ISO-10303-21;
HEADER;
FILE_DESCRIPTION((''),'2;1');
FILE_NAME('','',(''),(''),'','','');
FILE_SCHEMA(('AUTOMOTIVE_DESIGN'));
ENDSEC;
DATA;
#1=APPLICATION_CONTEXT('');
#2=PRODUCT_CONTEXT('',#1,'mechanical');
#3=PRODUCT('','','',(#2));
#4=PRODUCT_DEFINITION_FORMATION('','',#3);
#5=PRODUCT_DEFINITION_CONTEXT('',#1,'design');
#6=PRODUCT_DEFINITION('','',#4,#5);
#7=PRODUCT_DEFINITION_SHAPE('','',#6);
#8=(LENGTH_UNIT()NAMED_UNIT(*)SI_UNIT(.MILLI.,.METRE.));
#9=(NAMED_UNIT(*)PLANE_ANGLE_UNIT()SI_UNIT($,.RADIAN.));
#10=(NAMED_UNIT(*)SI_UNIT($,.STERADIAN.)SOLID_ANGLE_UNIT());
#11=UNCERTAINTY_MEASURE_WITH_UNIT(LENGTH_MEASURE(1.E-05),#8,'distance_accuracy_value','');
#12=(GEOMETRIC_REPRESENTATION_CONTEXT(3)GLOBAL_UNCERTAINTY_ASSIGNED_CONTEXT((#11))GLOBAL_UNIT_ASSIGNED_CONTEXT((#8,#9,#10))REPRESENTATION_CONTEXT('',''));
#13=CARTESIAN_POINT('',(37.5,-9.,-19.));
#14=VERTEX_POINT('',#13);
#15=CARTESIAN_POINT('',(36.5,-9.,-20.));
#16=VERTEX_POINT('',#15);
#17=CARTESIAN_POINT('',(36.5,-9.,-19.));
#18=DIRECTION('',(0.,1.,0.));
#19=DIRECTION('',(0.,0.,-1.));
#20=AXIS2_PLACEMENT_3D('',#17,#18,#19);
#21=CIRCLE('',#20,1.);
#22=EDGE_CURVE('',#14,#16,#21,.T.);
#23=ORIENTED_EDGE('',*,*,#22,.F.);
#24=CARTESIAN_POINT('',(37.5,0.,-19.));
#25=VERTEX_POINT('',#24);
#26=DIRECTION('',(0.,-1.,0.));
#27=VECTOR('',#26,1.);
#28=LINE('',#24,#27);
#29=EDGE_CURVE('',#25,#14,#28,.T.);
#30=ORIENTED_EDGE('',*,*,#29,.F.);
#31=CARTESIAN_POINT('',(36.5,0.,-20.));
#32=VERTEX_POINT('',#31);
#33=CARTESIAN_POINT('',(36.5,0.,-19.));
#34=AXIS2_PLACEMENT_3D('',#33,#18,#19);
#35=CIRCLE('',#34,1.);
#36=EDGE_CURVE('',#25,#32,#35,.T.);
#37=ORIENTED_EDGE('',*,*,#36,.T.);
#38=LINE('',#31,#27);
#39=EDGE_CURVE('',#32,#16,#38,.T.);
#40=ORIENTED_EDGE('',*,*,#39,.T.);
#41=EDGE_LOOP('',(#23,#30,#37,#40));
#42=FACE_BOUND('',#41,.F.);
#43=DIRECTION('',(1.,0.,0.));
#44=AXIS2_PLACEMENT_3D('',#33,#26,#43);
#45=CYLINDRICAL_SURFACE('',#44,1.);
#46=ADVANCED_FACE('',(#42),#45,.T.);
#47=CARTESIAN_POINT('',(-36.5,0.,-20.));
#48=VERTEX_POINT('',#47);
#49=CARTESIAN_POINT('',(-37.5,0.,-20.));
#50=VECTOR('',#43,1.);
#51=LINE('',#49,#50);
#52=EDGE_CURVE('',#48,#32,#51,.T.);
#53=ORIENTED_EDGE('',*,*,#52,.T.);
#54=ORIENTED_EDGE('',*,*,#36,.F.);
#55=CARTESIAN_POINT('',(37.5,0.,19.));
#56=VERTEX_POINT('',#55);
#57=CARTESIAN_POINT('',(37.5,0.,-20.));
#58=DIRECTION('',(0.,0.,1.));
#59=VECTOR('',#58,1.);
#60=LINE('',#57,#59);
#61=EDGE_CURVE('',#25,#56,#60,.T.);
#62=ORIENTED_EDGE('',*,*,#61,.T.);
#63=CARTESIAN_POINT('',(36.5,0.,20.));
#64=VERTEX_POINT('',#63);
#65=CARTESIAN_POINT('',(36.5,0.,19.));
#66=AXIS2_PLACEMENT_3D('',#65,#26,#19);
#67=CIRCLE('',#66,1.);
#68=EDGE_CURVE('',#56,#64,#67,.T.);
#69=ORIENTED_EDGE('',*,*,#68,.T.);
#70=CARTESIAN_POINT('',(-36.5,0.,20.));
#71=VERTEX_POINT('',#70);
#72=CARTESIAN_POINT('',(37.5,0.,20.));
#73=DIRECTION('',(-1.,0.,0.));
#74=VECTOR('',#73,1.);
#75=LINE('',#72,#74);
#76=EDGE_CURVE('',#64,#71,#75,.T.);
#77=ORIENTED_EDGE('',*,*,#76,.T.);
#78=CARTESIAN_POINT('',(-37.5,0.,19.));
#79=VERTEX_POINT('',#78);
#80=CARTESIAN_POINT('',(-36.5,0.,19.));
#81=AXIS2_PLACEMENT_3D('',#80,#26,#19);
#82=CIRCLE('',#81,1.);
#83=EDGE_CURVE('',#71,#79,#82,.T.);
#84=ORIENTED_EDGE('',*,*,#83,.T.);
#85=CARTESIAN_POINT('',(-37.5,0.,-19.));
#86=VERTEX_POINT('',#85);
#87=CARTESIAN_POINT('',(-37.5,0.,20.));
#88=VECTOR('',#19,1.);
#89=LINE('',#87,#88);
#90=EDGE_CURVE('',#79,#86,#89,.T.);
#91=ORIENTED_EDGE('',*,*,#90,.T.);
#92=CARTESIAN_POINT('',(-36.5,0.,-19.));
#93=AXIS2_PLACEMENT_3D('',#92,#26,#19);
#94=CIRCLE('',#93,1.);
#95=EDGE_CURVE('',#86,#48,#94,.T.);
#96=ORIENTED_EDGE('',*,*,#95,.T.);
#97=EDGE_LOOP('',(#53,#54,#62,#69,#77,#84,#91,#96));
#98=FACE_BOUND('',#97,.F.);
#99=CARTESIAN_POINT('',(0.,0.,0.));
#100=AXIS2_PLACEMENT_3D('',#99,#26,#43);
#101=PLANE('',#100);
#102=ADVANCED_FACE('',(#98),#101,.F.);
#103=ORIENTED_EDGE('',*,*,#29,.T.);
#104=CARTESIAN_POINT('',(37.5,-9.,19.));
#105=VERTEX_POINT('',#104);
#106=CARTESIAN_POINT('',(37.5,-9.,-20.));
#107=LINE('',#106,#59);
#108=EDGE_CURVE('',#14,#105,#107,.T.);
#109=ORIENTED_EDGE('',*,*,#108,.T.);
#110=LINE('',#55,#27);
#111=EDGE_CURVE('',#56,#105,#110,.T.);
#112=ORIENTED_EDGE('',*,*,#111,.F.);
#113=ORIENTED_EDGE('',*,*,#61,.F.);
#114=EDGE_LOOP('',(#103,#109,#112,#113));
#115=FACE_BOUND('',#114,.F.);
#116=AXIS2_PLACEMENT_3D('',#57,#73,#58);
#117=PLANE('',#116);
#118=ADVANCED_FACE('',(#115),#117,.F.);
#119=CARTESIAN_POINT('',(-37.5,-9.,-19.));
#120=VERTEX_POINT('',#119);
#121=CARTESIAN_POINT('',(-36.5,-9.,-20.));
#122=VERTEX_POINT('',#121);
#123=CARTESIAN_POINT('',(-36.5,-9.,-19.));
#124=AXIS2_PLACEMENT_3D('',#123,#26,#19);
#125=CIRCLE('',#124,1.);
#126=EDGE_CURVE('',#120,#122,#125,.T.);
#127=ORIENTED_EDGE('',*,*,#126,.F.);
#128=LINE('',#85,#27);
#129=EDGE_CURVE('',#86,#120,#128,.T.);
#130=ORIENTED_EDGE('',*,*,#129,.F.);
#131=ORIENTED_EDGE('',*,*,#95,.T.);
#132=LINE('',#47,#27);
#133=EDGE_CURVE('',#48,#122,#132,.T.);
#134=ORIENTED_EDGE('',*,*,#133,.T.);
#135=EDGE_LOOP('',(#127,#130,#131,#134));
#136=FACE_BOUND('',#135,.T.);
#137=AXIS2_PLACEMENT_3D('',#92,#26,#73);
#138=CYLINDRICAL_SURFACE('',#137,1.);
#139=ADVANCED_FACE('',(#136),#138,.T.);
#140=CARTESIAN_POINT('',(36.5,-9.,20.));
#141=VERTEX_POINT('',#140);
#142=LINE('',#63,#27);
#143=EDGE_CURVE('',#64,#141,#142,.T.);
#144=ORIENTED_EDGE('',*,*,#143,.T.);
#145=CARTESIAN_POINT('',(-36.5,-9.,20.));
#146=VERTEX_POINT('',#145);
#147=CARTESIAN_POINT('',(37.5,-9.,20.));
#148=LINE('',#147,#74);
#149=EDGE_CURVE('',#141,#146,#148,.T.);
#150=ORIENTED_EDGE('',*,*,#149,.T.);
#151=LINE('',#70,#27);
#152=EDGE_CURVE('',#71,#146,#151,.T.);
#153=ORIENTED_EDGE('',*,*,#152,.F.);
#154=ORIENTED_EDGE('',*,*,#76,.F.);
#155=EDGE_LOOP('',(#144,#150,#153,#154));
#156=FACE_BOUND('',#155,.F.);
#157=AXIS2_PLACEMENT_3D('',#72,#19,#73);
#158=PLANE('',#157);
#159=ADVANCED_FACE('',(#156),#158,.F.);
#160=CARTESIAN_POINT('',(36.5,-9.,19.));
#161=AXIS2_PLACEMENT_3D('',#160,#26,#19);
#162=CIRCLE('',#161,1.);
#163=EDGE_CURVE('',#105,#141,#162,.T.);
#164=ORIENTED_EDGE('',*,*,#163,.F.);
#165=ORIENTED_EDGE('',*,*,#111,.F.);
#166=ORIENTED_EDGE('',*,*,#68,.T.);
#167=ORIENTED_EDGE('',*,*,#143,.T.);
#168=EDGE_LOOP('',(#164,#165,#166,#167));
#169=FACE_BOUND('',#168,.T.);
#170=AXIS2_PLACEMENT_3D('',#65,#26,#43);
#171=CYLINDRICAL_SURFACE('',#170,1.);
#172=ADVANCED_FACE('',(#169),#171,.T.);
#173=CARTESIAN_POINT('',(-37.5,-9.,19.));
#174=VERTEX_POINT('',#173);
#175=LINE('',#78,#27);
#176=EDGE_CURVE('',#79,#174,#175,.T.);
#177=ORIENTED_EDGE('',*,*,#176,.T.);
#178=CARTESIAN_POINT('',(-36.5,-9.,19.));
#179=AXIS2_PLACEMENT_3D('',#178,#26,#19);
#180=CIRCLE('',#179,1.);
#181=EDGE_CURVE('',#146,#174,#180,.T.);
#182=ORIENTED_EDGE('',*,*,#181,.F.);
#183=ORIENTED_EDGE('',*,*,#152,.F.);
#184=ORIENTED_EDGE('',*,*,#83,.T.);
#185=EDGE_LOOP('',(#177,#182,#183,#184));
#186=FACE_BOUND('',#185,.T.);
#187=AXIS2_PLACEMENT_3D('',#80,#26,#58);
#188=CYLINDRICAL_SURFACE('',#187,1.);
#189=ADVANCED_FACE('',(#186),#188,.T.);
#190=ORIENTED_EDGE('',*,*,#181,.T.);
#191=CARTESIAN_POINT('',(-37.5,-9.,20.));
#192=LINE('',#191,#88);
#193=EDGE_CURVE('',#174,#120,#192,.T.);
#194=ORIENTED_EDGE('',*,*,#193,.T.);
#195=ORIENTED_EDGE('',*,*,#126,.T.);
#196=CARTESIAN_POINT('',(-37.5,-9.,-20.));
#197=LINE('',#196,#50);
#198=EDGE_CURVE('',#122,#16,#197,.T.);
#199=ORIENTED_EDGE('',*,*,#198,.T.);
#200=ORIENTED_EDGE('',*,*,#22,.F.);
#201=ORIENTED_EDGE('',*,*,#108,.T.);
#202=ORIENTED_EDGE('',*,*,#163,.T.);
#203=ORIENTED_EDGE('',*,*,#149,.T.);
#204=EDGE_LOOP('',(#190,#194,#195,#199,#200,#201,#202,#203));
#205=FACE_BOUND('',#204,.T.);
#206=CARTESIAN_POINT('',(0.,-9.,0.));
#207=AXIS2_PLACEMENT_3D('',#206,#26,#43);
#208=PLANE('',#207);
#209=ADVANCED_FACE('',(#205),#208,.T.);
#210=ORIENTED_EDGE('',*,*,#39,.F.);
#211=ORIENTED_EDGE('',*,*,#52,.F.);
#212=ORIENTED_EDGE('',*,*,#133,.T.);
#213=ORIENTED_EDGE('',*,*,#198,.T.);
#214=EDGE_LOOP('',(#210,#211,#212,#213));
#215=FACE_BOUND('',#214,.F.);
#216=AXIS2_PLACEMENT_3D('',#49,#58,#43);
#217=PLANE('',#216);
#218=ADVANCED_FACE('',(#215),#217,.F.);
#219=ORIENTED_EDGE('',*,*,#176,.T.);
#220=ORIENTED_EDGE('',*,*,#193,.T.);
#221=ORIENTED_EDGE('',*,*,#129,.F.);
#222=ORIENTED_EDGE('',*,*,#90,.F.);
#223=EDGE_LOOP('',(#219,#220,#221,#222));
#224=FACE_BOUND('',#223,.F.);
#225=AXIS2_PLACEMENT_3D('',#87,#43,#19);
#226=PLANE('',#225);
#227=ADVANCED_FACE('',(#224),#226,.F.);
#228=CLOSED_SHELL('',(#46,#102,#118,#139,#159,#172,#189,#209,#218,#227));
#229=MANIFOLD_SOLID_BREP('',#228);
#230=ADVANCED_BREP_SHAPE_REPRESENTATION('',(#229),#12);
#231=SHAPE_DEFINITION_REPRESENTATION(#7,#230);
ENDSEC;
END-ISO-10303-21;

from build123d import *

# Parameters (mm, degrees)
F1_DEPTH = 9
F2_R     = 1


with BuildPart() as f1:
    # F0 (on Front) → F1 (new body)
    with BuildSketch(Plane.XZ):
        Polygon((37.5, -20), (37.5, 20), (0, 20), (-37.5, 20), (-37.5, -20), (0, -20), align=None)
    extrude(amount=F1_DEPTH)

    # F2
    f2_edges = [f1.edges().sort_by_distance(p)[0] for p in [
        (-37.5, -4.5, 20),
        (-37.5, -4.5, -20),
        (37.5, -4.5, 20),
        (37.5, -4.5, -20),
    ]]
    fillet(f2_edges, radius=F2_R)


solid = f1.part
